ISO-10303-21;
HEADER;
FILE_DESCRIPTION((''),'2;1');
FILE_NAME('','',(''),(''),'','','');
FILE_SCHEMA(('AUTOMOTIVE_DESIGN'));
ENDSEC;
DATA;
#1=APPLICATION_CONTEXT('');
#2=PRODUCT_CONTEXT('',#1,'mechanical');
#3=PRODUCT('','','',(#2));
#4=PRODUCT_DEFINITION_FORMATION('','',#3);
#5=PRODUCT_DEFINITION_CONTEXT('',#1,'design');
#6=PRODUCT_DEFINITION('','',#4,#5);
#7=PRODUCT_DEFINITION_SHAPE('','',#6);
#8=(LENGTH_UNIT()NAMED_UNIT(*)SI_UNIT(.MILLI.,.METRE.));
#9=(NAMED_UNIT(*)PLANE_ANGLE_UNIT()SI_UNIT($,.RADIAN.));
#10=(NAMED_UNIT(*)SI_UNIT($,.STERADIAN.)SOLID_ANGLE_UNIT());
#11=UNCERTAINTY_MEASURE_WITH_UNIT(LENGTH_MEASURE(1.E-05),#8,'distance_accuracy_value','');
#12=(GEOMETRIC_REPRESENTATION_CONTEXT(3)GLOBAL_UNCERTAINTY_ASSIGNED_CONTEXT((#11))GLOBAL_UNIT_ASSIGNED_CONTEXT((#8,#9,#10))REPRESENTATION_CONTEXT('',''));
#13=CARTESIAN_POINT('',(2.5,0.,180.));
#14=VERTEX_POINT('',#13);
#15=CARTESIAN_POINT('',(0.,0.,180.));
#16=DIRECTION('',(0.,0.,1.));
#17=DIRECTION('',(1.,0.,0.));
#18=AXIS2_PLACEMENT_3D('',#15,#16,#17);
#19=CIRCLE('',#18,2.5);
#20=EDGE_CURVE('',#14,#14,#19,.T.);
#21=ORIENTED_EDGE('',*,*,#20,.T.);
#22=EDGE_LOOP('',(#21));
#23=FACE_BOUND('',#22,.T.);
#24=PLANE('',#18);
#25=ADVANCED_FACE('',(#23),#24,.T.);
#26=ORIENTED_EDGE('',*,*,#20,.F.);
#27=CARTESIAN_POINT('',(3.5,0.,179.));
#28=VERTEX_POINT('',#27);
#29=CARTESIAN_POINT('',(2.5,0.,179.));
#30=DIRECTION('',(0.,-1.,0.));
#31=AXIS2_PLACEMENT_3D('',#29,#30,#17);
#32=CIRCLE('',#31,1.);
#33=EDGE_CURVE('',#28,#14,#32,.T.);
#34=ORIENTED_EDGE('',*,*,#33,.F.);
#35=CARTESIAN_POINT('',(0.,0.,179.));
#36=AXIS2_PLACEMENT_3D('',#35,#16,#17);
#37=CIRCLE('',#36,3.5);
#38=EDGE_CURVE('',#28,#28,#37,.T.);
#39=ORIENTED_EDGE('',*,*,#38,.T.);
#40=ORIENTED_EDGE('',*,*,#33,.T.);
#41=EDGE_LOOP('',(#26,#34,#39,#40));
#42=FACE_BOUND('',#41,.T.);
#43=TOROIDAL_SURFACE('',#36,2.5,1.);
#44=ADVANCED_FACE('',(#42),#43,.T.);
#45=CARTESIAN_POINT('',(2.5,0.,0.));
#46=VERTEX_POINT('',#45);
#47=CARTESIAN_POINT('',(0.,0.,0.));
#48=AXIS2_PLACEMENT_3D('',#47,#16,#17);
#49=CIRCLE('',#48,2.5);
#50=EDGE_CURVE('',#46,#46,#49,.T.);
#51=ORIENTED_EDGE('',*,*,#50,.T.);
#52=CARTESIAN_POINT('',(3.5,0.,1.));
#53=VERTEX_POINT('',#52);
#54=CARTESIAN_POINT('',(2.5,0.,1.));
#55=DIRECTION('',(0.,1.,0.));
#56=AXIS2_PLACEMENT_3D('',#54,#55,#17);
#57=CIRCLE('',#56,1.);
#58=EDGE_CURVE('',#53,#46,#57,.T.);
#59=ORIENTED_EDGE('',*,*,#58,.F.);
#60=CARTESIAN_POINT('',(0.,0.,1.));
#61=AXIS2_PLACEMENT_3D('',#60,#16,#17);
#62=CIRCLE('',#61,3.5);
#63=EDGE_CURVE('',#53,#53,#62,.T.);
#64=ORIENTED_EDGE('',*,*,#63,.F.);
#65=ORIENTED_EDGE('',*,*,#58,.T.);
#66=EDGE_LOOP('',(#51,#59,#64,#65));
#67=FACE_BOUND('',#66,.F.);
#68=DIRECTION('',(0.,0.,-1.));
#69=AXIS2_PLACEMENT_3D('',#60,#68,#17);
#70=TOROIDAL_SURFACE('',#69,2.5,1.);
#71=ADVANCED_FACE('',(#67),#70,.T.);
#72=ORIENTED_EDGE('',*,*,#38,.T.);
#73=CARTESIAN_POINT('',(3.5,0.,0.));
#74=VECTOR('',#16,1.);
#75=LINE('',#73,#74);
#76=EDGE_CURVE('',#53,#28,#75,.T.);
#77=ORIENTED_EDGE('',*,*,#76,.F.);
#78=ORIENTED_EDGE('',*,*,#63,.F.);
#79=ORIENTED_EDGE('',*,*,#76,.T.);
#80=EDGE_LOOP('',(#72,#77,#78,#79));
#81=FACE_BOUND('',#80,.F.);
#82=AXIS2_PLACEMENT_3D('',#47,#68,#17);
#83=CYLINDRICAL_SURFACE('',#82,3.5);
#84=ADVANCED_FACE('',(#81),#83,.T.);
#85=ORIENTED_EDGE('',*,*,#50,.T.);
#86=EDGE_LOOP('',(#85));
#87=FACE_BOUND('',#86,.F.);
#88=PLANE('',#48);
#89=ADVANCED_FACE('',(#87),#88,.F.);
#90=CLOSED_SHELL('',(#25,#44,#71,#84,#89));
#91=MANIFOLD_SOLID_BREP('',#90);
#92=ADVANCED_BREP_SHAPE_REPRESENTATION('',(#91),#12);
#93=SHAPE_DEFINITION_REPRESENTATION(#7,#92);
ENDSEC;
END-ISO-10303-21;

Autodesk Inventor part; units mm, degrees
ref_plane "YZ Plane" through (0, 0, 0) normal (1, 0, 0) x (0, 1, 0)
ref_plane "XZ Plane" through (0, 0, 0) normal (0, 1, 0) x (-1, 0, 0)
ref_plane "XY Plane" through (0, 0, 0) normal (0, 0, 1) x (1, 0, 0)
sketch "Sketch1" plane through (0, 0, 0) normal (0, 0, 1) x (1, 0, 0)
  circle A0 centre (0, 0) radius 3.5
  dimension "d0" = 7
extrude "Extrusion1" add sketch "Sketch1" along normal blind 180
fillet "Fillet1" radius 1 2 edges at (-3.5, 0, 180) (-3.5, 0, 0)
properties part number "axel 180mm"
